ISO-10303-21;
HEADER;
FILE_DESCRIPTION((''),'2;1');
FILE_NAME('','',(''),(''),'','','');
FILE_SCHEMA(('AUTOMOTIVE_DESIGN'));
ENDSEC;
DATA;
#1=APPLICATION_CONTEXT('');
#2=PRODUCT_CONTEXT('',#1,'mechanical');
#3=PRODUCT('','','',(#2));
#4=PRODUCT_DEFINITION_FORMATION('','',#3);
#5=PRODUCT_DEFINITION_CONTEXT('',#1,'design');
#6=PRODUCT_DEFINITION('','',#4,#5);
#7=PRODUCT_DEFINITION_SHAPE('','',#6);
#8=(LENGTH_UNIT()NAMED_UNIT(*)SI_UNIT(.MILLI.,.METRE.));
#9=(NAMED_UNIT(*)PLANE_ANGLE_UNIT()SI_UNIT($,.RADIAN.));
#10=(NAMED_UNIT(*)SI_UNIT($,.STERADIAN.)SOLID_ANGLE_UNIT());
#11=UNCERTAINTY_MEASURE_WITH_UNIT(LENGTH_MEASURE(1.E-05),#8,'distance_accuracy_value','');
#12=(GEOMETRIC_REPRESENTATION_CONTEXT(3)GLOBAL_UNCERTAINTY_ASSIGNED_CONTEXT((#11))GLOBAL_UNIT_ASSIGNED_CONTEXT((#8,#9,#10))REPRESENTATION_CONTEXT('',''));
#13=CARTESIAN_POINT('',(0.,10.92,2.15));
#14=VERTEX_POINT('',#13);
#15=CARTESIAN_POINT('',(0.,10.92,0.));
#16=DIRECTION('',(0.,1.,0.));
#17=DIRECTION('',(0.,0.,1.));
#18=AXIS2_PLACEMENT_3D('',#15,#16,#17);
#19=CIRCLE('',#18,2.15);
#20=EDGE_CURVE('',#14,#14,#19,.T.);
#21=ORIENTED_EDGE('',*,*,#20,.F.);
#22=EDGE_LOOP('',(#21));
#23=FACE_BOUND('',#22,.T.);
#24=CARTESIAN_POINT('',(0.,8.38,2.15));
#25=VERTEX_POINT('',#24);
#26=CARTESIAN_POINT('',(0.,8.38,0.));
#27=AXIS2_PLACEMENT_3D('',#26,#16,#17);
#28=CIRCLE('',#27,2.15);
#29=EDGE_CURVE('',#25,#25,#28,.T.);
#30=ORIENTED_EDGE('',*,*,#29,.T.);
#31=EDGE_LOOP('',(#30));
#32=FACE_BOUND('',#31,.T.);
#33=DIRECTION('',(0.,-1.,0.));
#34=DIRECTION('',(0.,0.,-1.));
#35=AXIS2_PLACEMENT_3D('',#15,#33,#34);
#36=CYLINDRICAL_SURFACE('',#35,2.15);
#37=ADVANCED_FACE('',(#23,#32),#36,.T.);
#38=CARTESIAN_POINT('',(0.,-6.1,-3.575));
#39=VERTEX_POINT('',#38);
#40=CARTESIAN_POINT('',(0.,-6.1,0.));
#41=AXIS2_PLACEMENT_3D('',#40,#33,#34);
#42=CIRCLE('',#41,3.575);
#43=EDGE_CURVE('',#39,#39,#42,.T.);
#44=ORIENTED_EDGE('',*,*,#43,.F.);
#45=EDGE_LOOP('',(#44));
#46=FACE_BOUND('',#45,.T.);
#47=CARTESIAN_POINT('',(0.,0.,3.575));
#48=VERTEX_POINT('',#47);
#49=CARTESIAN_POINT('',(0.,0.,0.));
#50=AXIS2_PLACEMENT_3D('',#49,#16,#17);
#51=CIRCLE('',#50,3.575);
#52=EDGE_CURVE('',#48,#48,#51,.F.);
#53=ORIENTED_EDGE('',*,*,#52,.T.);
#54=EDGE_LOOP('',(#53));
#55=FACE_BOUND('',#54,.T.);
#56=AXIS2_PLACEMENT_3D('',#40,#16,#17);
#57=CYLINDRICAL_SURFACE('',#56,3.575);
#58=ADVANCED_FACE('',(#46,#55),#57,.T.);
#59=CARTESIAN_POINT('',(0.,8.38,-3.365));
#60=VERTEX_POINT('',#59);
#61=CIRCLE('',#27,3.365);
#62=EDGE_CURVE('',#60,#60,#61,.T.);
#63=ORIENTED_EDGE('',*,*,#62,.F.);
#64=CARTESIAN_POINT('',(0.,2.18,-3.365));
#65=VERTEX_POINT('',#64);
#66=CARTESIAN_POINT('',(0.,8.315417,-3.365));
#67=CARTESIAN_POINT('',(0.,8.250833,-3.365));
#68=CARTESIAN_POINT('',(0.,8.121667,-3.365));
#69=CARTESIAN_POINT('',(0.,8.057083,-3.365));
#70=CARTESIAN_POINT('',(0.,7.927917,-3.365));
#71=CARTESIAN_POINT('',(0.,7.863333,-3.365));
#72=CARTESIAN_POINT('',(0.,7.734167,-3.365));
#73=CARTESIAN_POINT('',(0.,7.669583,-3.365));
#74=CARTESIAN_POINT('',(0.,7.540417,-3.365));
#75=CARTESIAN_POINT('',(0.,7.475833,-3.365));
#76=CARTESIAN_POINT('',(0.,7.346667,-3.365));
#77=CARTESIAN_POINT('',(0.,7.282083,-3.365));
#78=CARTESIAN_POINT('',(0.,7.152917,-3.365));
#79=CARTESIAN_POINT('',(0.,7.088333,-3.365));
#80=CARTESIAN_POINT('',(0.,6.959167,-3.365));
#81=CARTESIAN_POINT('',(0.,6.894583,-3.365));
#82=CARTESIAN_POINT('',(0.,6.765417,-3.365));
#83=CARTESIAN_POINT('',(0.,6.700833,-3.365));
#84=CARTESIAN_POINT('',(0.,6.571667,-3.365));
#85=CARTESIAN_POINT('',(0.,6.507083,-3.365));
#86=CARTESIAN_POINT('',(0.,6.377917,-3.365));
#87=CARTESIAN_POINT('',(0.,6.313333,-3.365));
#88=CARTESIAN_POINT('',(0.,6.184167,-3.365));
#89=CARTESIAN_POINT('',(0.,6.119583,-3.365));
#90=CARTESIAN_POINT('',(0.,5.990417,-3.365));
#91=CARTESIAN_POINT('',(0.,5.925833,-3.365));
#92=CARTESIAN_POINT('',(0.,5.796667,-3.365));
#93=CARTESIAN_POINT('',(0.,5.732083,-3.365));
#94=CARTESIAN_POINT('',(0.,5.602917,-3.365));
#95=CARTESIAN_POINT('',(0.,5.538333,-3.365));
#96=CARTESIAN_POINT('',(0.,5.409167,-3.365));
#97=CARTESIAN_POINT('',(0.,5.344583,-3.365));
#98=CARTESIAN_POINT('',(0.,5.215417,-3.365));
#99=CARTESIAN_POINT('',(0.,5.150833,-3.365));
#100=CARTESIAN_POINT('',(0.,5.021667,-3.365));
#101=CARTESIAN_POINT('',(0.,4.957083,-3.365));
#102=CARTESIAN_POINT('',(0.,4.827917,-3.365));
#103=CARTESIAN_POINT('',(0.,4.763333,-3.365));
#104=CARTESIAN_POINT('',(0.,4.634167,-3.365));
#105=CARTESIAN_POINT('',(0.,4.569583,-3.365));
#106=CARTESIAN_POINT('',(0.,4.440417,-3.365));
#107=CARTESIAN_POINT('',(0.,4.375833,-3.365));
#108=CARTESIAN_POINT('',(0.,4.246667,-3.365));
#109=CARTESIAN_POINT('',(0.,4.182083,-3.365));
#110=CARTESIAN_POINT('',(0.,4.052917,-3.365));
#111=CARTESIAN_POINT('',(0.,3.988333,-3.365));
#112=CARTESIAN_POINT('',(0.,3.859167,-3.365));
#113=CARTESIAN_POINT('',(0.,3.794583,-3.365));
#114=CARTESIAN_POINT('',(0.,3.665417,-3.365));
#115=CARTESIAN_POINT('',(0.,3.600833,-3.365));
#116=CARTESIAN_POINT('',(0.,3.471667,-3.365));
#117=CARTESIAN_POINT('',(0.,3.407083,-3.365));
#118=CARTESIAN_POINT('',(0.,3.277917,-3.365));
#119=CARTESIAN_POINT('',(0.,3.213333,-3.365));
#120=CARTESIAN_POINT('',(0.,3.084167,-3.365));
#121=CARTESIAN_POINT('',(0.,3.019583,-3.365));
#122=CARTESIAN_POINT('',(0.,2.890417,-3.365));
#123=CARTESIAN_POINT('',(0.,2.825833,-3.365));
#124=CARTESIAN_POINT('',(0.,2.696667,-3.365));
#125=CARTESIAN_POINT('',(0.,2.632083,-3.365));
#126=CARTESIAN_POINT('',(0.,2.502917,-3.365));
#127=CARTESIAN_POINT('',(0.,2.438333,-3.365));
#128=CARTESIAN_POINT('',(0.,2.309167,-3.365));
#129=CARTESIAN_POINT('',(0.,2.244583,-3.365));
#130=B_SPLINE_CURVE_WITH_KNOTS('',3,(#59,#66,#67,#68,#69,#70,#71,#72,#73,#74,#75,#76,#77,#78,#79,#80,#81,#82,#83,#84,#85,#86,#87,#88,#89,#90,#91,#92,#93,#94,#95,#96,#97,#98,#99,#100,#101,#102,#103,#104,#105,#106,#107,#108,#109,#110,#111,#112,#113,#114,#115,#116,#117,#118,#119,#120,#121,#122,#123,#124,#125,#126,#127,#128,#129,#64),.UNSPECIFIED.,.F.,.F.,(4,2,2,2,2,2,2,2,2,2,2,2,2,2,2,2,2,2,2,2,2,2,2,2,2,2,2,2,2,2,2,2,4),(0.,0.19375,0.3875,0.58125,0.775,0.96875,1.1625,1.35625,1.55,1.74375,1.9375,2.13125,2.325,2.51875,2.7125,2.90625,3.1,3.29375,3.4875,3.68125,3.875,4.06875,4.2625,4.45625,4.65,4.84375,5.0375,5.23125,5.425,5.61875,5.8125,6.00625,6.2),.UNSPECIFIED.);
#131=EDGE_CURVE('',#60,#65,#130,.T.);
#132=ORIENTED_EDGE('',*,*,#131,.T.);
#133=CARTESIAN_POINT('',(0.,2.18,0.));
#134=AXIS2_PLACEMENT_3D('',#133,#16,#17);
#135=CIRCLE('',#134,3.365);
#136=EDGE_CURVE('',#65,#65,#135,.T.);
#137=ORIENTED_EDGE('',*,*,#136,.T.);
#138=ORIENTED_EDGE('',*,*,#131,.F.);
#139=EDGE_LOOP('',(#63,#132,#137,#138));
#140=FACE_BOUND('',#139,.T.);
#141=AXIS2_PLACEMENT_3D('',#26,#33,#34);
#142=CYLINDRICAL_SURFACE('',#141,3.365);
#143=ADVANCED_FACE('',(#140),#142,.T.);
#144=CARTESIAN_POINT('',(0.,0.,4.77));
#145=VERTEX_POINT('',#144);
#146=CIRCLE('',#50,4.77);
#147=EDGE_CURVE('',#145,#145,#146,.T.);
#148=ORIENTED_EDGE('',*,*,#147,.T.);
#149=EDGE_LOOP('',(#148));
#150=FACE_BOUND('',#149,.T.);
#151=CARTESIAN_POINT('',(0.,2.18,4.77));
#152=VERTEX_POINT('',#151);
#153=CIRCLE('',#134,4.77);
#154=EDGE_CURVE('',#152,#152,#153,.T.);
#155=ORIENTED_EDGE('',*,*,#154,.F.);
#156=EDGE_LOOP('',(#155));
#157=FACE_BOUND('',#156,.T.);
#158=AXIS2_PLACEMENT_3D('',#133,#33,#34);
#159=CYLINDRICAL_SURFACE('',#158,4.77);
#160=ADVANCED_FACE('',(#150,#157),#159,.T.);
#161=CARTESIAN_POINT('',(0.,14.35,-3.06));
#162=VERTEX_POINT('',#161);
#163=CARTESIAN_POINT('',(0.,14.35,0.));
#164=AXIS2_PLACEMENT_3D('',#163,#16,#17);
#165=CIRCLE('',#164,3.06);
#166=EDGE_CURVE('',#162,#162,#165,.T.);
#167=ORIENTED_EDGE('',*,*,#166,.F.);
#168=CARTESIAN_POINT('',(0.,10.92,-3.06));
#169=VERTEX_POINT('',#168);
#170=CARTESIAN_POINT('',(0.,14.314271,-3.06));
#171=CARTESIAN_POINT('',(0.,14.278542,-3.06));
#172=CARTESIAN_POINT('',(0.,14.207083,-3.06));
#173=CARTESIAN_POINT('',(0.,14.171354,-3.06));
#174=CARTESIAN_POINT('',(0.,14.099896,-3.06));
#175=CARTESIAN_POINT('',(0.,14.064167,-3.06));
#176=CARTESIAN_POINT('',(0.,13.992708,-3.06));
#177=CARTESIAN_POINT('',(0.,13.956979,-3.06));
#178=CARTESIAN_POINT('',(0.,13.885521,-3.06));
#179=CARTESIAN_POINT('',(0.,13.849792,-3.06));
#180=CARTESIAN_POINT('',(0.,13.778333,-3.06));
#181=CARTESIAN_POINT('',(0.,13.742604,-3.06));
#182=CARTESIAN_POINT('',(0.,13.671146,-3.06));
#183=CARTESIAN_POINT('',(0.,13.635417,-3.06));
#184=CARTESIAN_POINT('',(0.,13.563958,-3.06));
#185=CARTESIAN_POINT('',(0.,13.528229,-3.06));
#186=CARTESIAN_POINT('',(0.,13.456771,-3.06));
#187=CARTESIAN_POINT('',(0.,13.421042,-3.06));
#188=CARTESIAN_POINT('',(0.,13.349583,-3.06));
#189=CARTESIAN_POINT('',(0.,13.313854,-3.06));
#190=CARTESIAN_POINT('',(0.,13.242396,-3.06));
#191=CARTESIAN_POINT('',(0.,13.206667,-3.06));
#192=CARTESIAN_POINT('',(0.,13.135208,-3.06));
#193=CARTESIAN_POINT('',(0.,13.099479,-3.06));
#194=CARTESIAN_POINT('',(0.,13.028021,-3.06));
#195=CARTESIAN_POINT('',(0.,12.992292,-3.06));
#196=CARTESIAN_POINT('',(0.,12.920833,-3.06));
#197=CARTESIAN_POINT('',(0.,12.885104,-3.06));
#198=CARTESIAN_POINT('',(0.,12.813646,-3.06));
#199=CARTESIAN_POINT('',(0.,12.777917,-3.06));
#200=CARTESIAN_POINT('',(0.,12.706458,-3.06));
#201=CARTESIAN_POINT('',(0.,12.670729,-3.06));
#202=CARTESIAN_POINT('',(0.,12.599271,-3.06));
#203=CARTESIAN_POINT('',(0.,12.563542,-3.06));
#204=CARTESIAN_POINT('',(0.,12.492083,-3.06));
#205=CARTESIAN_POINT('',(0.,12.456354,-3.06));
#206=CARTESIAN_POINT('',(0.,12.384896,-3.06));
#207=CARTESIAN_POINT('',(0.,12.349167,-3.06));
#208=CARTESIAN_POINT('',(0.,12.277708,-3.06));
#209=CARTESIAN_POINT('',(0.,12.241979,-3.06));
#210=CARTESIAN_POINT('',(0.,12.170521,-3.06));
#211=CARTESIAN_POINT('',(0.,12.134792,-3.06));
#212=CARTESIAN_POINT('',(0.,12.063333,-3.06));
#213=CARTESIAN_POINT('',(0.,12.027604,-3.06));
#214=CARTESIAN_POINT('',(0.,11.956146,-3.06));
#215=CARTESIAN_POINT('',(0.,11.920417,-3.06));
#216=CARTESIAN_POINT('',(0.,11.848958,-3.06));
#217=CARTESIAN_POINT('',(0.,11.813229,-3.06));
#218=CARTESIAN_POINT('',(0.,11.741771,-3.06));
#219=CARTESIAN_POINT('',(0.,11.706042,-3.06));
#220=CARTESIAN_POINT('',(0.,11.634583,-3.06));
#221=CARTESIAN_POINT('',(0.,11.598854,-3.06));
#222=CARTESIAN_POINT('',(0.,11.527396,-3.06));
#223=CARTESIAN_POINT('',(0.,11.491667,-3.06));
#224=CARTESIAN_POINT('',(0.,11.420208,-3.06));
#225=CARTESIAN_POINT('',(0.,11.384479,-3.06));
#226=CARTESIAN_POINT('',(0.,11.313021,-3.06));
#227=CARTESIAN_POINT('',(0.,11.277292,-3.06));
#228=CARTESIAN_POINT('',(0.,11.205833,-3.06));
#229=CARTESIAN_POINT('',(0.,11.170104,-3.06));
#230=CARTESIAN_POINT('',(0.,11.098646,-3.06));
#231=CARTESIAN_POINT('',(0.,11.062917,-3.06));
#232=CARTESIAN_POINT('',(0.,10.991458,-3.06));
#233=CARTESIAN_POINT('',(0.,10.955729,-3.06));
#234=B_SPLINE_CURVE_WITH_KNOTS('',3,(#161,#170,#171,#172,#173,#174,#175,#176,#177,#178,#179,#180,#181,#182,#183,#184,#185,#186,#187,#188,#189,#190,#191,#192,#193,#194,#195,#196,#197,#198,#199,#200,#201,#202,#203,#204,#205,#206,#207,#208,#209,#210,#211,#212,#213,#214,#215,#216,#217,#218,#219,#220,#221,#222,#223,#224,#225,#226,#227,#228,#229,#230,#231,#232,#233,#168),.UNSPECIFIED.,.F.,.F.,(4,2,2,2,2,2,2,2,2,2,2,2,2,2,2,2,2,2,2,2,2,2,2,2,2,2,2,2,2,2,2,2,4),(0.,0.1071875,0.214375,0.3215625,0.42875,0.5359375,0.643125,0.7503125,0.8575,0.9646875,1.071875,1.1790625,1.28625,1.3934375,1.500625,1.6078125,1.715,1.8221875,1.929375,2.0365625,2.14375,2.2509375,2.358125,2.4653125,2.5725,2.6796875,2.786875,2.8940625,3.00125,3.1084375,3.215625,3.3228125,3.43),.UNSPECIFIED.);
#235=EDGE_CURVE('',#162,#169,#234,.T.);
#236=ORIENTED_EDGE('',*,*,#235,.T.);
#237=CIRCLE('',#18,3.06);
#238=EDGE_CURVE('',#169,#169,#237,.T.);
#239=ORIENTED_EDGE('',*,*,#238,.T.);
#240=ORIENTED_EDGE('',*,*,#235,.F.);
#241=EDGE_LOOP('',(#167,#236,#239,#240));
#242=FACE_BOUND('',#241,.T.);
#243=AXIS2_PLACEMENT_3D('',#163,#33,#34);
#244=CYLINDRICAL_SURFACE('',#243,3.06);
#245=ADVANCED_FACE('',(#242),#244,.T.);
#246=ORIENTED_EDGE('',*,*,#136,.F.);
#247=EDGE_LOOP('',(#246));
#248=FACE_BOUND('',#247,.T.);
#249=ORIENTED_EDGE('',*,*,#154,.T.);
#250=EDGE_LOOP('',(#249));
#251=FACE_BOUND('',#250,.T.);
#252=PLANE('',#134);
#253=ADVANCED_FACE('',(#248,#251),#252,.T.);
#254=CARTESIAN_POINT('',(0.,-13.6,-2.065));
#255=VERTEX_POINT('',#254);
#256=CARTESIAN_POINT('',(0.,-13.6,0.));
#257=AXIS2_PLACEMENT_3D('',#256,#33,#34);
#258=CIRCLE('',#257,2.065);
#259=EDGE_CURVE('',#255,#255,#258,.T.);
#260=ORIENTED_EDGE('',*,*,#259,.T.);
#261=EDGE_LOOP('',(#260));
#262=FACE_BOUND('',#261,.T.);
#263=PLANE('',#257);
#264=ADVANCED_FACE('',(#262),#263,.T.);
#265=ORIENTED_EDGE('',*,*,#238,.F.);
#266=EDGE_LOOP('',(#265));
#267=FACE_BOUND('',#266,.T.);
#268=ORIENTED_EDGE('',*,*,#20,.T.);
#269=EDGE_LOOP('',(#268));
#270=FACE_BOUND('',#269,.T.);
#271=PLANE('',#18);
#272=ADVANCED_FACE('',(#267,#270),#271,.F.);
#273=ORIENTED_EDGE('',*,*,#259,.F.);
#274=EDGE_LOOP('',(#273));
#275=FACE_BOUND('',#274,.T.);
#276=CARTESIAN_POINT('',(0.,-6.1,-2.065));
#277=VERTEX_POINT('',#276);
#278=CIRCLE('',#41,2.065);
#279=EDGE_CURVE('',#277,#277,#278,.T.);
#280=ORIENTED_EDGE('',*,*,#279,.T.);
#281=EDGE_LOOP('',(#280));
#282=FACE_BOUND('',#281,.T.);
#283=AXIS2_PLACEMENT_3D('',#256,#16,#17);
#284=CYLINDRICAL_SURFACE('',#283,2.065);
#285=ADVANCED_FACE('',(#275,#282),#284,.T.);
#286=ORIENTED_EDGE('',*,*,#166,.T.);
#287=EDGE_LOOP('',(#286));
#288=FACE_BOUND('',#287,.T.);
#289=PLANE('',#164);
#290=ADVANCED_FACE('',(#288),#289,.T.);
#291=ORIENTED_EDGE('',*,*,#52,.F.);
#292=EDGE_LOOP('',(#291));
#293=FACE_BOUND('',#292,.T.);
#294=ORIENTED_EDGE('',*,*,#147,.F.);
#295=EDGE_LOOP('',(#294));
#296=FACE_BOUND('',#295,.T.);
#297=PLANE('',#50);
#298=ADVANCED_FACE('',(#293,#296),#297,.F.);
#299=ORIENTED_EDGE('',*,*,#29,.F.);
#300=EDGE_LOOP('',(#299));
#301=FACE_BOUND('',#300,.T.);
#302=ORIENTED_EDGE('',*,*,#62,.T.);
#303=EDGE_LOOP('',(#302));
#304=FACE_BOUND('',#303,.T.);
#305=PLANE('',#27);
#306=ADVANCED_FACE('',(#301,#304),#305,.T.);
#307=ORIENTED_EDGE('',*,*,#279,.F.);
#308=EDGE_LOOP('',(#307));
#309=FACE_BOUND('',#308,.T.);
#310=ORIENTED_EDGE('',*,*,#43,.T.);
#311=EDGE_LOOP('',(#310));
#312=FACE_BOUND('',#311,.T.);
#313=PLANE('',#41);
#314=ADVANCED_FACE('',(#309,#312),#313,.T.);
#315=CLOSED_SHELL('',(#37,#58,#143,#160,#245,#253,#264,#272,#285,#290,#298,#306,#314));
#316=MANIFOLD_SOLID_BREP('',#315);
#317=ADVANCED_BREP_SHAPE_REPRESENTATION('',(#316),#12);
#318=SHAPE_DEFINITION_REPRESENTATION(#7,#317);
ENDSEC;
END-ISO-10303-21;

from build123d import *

# Parameters (mm, degrees)
SKETCH1_R           = 4.77
BOSS_EXTRUDE1_DEPTH = 2.18
SKETCH2_R           = 3.575
BOSS_EXTRUDE2_DEPTH = 6.1
SKETCH3_R           = 2.065
BOSS_EXTRUDE3_DEPTH = 7.5
SKETCH4_R           = 3.365
BOSS_EXTRUDE4_DEPTH = 6.2
SKETCH5_R           = 2.15
BOSS_EXTRUDE5_DEPTH = 2.54
SKETCH6_R           = 3.06
BOSS_EXTRUDE6_DEPTH = 3.43


with BuildPart() as part:
    # Sketch1 → Boss-Extrude1 (new body)
    with BuildSketch(Plane(origin=(0, 0, 0), x_dir=(1, 0, 0), z_dir=(0, 1, 0))):
        with Locations(Location((0, 0, 0), (0, 0, 270))):
            Circle(SKETCH1_R)
    extrude(amount=BOSS_EXTRUDE1_DEPTH)

    # Sketch2 → Boss-Extrude2 (add)
    with BuildSketch(Plane.XZ):
        with Locations(Location((0, 0, 0), (0, 0, 90))):
            Circle(SKETCH2_R)
    extrude(amount=BOSS_EXTRUDE2_DEPTH)

    # Sketch3 → Boss-Extrude3 (add)
    with BuildSketch(Plane.XZ.offset(6.1)):
        with Locations(Location((0, 0, 0), (0, 0, 270))):
            Circle(SKETCH3_R)
    extrude(amount=BOSS_EXTRUDE3_DEPTH)

    # Sketch4 → Boss-Extrude4 (add)
    with BuildSketch(Plane(origin=(0, 2.18, 0), x_dir=(1, 0, 0), z_dir=(0, 1, 0))):
        with Locations(Location((0, 0, 0), (0, 0, 90))):
            Circle(SKETCH4_R)
    extrude(amount=BOSS_EXTRUDE4_DEPTH)

    # Sketch5 → Boss-Extrude5 (add)
    with BuildSketch(Plane(origin=(0, 8.38, 0), x_dir=(1, 0, 0), z_dir=(0, 1, 0))):
        with Locations(Location((0, 0, 0), (0, 0, 270))):
            Circle(SKETCH5_R)
    extrude(amount=BOSS_EXTRUDE5_DEPTH)

    # Sketch6 → Boss-Extrude6 (add)
    with BuildSketch(Plane(origin=(0, 10.92, 0), x_dir=(1, 0, 0), z_dir=(0, 1, 0))):
        with Locations(Location((0, 0, 0), (0, 0, 90))):
            Circle(SKETCH6_R)
    extrude(amount=BOSS_EXTRUDE6_DEPTH)


solid = part.part
